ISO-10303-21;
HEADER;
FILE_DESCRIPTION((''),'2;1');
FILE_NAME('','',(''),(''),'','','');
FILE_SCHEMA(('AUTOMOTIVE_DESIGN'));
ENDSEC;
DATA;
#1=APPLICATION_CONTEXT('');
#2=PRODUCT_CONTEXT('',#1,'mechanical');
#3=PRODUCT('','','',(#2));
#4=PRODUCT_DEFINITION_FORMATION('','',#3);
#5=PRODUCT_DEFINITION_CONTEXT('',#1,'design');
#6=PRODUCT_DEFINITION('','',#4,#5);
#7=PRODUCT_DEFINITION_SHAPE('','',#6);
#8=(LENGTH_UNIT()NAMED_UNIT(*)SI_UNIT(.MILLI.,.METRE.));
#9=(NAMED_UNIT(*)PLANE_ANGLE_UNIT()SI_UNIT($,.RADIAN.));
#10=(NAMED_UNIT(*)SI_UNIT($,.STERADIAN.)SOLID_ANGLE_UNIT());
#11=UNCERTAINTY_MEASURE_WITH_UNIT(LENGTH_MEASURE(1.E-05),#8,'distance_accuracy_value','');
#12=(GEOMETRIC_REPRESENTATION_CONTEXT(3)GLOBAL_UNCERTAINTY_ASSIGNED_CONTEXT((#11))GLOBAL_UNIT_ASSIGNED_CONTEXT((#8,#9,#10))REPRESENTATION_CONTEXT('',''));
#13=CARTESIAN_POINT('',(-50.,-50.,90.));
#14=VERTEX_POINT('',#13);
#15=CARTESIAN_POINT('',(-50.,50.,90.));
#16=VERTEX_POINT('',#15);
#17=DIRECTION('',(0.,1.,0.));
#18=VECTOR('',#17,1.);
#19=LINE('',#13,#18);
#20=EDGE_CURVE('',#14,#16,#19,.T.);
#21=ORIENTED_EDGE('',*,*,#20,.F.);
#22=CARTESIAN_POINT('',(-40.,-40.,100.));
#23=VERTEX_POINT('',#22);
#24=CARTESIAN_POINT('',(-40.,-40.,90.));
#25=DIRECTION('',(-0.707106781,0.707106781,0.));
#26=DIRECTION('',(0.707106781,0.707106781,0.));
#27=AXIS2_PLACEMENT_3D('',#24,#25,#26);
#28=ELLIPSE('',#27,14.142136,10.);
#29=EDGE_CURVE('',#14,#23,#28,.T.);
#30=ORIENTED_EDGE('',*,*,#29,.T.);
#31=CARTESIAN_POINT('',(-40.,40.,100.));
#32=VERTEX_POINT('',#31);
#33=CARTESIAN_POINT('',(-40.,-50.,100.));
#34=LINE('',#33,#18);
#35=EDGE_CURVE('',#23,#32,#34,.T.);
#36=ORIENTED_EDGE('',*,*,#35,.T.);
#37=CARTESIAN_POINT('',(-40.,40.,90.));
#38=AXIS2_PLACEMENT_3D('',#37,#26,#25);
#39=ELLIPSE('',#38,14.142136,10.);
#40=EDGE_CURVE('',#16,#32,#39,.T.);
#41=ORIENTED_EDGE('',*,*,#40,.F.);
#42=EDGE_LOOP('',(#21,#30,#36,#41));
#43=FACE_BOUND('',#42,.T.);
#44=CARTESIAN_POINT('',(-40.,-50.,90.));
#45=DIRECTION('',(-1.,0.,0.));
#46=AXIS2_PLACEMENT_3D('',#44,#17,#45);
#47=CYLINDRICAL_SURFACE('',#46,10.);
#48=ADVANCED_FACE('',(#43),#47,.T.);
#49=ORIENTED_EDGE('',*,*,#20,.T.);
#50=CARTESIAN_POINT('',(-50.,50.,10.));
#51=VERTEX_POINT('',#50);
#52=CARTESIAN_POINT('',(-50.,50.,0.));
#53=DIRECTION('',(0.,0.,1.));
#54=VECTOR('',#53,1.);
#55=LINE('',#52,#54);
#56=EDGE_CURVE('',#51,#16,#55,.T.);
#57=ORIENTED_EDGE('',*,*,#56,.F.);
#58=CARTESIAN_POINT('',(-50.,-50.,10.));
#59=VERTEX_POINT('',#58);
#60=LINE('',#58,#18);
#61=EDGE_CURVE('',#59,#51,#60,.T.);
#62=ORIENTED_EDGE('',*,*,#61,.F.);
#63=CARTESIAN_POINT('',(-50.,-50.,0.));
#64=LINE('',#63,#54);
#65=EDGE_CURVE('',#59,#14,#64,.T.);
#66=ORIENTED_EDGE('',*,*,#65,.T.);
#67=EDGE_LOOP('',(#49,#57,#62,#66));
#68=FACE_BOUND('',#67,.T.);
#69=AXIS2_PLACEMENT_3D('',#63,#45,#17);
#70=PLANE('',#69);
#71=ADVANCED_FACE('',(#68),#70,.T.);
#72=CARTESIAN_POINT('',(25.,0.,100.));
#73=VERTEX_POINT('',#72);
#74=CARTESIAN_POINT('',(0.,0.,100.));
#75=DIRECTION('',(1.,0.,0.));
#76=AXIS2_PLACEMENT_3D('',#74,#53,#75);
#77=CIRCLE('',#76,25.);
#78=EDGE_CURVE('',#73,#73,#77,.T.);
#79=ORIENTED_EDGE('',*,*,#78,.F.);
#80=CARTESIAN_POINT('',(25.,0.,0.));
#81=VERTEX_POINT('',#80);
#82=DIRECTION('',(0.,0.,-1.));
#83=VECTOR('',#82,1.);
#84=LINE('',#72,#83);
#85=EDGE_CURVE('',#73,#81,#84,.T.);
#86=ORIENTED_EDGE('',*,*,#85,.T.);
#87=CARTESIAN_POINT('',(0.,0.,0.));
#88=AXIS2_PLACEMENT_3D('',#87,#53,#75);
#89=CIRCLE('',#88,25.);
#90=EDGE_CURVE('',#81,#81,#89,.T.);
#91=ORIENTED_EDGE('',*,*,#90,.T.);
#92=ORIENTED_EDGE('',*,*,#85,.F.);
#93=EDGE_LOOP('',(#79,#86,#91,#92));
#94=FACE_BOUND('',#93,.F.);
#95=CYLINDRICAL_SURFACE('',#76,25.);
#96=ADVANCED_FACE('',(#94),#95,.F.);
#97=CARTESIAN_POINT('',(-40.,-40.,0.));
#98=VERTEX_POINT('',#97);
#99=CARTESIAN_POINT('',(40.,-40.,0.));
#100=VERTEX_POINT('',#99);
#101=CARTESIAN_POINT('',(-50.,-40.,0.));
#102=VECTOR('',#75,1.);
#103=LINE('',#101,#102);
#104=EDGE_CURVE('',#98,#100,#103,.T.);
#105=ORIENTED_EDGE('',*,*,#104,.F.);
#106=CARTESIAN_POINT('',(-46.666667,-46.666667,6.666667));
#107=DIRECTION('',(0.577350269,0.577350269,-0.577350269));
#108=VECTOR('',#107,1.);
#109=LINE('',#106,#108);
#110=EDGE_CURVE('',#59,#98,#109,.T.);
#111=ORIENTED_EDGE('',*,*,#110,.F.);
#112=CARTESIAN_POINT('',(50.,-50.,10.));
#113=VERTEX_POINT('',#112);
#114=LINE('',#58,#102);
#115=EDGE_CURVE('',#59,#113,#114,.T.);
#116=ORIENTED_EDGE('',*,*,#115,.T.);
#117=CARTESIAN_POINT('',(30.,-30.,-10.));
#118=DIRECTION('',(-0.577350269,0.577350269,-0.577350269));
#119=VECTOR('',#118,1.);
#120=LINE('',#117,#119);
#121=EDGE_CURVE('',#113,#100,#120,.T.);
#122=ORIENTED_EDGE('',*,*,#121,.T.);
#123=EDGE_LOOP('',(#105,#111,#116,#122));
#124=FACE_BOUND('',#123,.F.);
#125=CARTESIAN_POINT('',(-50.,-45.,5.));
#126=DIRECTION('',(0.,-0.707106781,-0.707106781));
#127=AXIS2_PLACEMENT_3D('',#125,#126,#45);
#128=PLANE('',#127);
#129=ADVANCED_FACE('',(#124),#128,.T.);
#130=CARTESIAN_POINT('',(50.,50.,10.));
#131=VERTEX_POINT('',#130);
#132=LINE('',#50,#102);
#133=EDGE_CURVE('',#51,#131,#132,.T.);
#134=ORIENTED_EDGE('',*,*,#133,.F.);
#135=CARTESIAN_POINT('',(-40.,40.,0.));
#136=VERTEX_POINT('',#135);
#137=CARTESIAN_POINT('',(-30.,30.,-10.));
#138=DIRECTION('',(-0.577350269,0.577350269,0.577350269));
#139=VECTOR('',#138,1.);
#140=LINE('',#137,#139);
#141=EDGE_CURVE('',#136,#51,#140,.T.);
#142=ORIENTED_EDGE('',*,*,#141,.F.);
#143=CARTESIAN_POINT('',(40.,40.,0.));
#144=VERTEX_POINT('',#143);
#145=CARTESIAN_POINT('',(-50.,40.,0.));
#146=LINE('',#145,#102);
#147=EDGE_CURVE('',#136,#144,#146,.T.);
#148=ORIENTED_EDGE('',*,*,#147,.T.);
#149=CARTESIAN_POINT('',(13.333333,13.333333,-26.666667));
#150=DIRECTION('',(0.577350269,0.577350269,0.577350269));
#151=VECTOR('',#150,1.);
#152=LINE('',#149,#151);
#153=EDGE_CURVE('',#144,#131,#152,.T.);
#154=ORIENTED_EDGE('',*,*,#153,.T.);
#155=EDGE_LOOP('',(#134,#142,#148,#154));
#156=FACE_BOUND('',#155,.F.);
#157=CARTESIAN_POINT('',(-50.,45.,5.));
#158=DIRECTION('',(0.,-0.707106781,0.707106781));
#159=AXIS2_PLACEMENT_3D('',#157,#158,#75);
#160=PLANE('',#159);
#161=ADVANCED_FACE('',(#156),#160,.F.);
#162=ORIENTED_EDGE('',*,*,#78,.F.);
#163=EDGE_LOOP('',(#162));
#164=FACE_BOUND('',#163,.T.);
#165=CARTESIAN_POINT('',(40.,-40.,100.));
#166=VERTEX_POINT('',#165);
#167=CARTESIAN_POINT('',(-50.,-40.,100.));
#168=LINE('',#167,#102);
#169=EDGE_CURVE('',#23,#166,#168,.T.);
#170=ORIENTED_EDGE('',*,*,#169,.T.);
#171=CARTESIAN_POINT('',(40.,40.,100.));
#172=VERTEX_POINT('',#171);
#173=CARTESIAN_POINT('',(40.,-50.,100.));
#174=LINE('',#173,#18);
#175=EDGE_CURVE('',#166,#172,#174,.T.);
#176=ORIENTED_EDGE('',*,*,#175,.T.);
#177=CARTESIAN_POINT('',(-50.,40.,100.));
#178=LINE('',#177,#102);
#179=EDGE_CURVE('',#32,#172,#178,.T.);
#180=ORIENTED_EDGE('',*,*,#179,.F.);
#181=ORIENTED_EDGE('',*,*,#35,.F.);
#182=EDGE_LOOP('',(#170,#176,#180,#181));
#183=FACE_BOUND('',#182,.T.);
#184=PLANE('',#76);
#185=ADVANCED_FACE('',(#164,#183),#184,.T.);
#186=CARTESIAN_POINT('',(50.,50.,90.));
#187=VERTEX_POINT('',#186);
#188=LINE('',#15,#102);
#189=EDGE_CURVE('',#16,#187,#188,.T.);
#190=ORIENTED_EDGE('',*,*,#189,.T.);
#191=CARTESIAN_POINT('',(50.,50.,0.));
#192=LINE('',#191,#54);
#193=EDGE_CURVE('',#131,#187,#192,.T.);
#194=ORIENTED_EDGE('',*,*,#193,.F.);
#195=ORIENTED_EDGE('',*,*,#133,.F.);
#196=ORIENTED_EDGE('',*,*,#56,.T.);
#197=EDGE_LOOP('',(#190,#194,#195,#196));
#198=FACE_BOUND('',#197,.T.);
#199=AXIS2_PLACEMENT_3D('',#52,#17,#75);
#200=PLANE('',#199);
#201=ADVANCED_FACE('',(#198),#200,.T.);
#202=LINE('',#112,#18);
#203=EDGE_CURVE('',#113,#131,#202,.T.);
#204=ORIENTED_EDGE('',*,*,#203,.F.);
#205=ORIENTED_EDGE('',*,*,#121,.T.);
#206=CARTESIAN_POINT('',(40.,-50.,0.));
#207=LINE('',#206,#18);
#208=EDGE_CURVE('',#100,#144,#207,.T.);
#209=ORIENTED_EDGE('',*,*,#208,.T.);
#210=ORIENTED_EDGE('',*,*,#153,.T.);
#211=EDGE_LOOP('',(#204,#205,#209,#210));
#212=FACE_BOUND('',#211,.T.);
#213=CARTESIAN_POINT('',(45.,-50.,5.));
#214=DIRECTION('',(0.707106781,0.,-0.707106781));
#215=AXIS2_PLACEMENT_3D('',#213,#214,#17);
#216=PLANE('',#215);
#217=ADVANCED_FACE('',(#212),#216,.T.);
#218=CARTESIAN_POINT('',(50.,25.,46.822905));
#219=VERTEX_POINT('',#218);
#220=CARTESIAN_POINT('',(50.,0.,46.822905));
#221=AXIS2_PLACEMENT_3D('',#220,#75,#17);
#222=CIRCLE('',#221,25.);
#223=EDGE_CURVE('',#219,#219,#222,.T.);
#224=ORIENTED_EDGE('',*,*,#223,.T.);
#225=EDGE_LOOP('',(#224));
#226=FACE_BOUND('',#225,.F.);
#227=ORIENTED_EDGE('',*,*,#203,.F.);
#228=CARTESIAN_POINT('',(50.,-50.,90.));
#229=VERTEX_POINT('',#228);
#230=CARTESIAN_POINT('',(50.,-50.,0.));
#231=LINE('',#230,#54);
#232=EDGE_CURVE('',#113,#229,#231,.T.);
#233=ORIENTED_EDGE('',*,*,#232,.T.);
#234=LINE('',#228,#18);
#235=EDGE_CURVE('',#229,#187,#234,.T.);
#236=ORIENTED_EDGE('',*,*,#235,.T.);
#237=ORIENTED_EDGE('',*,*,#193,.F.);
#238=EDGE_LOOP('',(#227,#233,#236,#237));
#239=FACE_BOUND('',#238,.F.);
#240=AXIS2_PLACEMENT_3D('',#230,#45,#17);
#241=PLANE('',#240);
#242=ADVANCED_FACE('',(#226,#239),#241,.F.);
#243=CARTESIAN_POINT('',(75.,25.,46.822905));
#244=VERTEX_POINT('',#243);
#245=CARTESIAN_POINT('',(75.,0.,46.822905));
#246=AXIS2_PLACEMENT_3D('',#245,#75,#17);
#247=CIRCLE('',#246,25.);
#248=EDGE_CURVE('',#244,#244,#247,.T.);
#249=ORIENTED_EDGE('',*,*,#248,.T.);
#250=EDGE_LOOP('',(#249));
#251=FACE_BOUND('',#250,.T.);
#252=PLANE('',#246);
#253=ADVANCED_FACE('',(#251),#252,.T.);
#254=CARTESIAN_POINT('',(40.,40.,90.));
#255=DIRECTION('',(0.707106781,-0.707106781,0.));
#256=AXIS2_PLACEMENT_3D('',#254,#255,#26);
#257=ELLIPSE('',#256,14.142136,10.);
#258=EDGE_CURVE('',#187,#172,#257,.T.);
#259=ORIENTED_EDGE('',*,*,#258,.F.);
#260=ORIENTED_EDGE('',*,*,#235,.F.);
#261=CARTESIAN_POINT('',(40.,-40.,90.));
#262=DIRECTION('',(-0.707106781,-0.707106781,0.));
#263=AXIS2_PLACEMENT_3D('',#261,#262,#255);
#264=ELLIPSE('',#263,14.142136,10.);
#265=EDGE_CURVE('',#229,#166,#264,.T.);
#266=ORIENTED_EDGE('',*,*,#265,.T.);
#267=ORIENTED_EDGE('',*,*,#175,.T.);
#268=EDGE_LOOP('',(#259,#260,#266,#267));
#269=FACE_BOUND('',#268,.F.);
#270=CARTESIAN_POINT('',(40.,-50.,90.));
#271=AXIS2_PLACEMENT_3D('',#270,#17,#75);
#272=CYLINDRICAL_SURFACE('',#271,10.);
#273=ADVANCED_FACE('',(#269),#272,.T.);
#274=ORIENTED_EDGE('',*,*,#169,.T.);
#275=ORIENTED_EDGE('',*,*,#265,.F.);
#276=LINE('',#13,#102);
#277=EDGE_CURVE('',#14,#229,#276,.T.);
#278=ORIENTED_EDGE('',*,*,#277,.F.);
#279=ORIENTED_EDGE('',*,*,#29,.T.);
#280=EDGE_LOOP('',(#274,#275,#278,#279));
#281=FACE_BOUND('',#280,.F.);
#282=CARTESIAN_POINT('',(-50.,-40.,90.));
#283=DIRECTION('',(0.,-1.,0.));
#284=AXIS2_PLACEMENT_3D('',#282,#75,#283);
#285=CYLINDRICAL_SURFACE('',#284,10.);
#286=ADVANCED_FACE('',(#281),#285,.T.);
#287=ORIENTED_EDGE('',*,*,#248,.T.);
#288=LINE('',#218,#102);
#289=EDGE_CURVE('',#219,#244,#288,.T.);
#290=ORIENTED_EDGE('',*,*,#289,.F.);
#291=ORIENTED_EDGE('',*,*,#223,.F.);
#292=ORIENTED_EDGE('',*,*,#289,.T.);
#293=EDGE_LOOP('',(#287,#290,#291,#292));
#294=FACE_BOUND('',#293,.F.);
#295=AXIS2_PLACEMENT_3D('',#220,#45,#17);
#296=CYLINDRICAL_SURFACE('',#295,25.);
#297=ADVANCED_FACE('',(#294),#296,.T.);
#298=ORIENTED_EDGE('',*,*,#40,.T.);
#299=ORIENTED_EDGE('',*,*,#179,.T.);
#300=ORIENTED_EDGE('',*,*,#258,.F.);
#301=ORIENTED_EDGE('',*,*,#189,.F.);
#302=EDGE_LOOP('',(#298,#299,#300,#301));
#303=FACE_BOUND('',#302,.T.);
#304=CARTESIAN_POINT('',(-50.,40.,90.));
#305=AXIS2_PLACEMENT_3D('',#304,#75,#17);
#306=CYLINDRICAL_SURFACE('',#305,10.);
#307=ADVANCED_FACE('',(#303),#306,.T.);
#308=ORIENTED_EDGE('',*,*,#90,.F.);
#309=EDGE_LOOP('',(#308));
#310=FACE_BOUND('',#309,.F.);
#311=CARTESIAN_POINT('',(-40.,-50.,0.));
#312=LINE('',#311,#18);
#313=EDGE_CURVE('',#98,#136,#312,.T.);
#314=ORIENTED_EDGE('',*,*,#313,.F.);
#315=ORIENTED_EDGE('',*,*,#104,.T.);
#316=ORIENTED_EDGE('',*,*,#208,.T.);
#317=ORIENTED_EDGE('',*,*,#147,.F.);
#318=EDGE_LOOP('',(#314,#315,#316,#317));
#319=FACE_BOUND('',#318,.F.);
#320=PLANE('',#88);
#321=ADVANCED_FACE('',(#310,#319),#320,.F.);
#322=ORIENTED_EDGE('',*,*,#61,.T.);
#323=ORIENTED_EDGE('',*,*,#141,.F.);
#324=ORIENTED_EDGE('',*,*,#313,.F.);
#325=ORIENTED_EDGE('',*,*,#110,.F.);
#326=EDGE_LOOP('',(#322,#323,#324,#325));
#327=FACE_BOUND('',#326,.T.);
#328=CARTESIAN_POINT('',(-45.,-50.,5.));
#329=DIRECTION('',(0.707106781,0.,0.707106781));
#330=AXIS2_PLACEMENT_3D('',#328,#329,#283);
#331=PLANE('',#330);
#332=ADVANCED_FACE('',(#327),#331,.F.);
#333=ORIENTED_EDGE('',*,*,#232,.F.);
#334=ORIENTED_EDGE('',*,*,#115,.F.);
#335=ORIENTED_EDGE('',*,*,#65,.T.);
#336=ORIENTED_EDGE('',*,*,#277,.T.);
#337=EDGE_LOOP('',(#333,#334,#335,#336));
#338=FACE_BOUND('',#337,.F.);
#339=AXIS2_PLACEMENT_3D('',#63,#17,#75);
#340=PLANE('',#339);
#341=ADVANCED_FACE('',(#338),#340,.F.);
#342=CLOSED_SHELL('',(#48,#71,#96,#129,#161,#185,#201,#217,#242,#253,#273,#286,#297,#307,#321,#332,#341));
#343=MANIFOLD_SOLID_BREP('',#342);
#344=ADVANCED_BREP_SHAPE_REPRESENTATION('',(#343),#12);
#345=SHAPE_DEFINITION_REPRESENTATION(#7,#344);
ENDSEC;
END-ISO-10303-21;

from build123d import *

# Parameters (mm, degrees)
F0_W     = 100
F0_H     = 100
F1_DEPTH = 100
F2_R     = 10
F3_SIZE  = 10
F4_R     = 25
F5_DEPTH = 100
F6_R     = 25
F7_DEPTH = 25


with BuildPart() as f1:
    # F0 (on Top) → F1 (new body)
    with BuildSketch(Plane.XY):
        Rectangle(F0_W, F0_H)
    extrude(amount=F1_DEPTH)

    # F2
    f2_edges = [f1.edges().sort_by_distance(p)[0] for p in [
        (-50, 0, 100),
        (0, -50, 100),
        (50, 0, 100),
        (0, 50, 100),
    ]]
    fillet(f2_edges, radius=F2_R)

    # F3
    f3_edges = [f1.edges().sort_by_distance(p)[0] for p in [
        (0, -50, 0),
        (50, 0, 0),
        (0, 50, 0),
        (-50, 0, 0),
    ]]
    chamfer(f3_edges, length=F3_SIZE)

    # F4 (on face) → F5 (cut)
    with BuildSketch(Plane.XY.offset(100)):
        Circle(F4_R)
    extrude(amount=-F5_DEPTH, mode=Mode.SUBTRACT)

    # F6 (on face) → F7 (join)
    with BuildSketch(Plane.YZ.offset(50)):
        with Locations((0, 46.822905)):
            Circle(F6_R)
    extrude(amount=F7_DEPTH)


solid = f1.part
